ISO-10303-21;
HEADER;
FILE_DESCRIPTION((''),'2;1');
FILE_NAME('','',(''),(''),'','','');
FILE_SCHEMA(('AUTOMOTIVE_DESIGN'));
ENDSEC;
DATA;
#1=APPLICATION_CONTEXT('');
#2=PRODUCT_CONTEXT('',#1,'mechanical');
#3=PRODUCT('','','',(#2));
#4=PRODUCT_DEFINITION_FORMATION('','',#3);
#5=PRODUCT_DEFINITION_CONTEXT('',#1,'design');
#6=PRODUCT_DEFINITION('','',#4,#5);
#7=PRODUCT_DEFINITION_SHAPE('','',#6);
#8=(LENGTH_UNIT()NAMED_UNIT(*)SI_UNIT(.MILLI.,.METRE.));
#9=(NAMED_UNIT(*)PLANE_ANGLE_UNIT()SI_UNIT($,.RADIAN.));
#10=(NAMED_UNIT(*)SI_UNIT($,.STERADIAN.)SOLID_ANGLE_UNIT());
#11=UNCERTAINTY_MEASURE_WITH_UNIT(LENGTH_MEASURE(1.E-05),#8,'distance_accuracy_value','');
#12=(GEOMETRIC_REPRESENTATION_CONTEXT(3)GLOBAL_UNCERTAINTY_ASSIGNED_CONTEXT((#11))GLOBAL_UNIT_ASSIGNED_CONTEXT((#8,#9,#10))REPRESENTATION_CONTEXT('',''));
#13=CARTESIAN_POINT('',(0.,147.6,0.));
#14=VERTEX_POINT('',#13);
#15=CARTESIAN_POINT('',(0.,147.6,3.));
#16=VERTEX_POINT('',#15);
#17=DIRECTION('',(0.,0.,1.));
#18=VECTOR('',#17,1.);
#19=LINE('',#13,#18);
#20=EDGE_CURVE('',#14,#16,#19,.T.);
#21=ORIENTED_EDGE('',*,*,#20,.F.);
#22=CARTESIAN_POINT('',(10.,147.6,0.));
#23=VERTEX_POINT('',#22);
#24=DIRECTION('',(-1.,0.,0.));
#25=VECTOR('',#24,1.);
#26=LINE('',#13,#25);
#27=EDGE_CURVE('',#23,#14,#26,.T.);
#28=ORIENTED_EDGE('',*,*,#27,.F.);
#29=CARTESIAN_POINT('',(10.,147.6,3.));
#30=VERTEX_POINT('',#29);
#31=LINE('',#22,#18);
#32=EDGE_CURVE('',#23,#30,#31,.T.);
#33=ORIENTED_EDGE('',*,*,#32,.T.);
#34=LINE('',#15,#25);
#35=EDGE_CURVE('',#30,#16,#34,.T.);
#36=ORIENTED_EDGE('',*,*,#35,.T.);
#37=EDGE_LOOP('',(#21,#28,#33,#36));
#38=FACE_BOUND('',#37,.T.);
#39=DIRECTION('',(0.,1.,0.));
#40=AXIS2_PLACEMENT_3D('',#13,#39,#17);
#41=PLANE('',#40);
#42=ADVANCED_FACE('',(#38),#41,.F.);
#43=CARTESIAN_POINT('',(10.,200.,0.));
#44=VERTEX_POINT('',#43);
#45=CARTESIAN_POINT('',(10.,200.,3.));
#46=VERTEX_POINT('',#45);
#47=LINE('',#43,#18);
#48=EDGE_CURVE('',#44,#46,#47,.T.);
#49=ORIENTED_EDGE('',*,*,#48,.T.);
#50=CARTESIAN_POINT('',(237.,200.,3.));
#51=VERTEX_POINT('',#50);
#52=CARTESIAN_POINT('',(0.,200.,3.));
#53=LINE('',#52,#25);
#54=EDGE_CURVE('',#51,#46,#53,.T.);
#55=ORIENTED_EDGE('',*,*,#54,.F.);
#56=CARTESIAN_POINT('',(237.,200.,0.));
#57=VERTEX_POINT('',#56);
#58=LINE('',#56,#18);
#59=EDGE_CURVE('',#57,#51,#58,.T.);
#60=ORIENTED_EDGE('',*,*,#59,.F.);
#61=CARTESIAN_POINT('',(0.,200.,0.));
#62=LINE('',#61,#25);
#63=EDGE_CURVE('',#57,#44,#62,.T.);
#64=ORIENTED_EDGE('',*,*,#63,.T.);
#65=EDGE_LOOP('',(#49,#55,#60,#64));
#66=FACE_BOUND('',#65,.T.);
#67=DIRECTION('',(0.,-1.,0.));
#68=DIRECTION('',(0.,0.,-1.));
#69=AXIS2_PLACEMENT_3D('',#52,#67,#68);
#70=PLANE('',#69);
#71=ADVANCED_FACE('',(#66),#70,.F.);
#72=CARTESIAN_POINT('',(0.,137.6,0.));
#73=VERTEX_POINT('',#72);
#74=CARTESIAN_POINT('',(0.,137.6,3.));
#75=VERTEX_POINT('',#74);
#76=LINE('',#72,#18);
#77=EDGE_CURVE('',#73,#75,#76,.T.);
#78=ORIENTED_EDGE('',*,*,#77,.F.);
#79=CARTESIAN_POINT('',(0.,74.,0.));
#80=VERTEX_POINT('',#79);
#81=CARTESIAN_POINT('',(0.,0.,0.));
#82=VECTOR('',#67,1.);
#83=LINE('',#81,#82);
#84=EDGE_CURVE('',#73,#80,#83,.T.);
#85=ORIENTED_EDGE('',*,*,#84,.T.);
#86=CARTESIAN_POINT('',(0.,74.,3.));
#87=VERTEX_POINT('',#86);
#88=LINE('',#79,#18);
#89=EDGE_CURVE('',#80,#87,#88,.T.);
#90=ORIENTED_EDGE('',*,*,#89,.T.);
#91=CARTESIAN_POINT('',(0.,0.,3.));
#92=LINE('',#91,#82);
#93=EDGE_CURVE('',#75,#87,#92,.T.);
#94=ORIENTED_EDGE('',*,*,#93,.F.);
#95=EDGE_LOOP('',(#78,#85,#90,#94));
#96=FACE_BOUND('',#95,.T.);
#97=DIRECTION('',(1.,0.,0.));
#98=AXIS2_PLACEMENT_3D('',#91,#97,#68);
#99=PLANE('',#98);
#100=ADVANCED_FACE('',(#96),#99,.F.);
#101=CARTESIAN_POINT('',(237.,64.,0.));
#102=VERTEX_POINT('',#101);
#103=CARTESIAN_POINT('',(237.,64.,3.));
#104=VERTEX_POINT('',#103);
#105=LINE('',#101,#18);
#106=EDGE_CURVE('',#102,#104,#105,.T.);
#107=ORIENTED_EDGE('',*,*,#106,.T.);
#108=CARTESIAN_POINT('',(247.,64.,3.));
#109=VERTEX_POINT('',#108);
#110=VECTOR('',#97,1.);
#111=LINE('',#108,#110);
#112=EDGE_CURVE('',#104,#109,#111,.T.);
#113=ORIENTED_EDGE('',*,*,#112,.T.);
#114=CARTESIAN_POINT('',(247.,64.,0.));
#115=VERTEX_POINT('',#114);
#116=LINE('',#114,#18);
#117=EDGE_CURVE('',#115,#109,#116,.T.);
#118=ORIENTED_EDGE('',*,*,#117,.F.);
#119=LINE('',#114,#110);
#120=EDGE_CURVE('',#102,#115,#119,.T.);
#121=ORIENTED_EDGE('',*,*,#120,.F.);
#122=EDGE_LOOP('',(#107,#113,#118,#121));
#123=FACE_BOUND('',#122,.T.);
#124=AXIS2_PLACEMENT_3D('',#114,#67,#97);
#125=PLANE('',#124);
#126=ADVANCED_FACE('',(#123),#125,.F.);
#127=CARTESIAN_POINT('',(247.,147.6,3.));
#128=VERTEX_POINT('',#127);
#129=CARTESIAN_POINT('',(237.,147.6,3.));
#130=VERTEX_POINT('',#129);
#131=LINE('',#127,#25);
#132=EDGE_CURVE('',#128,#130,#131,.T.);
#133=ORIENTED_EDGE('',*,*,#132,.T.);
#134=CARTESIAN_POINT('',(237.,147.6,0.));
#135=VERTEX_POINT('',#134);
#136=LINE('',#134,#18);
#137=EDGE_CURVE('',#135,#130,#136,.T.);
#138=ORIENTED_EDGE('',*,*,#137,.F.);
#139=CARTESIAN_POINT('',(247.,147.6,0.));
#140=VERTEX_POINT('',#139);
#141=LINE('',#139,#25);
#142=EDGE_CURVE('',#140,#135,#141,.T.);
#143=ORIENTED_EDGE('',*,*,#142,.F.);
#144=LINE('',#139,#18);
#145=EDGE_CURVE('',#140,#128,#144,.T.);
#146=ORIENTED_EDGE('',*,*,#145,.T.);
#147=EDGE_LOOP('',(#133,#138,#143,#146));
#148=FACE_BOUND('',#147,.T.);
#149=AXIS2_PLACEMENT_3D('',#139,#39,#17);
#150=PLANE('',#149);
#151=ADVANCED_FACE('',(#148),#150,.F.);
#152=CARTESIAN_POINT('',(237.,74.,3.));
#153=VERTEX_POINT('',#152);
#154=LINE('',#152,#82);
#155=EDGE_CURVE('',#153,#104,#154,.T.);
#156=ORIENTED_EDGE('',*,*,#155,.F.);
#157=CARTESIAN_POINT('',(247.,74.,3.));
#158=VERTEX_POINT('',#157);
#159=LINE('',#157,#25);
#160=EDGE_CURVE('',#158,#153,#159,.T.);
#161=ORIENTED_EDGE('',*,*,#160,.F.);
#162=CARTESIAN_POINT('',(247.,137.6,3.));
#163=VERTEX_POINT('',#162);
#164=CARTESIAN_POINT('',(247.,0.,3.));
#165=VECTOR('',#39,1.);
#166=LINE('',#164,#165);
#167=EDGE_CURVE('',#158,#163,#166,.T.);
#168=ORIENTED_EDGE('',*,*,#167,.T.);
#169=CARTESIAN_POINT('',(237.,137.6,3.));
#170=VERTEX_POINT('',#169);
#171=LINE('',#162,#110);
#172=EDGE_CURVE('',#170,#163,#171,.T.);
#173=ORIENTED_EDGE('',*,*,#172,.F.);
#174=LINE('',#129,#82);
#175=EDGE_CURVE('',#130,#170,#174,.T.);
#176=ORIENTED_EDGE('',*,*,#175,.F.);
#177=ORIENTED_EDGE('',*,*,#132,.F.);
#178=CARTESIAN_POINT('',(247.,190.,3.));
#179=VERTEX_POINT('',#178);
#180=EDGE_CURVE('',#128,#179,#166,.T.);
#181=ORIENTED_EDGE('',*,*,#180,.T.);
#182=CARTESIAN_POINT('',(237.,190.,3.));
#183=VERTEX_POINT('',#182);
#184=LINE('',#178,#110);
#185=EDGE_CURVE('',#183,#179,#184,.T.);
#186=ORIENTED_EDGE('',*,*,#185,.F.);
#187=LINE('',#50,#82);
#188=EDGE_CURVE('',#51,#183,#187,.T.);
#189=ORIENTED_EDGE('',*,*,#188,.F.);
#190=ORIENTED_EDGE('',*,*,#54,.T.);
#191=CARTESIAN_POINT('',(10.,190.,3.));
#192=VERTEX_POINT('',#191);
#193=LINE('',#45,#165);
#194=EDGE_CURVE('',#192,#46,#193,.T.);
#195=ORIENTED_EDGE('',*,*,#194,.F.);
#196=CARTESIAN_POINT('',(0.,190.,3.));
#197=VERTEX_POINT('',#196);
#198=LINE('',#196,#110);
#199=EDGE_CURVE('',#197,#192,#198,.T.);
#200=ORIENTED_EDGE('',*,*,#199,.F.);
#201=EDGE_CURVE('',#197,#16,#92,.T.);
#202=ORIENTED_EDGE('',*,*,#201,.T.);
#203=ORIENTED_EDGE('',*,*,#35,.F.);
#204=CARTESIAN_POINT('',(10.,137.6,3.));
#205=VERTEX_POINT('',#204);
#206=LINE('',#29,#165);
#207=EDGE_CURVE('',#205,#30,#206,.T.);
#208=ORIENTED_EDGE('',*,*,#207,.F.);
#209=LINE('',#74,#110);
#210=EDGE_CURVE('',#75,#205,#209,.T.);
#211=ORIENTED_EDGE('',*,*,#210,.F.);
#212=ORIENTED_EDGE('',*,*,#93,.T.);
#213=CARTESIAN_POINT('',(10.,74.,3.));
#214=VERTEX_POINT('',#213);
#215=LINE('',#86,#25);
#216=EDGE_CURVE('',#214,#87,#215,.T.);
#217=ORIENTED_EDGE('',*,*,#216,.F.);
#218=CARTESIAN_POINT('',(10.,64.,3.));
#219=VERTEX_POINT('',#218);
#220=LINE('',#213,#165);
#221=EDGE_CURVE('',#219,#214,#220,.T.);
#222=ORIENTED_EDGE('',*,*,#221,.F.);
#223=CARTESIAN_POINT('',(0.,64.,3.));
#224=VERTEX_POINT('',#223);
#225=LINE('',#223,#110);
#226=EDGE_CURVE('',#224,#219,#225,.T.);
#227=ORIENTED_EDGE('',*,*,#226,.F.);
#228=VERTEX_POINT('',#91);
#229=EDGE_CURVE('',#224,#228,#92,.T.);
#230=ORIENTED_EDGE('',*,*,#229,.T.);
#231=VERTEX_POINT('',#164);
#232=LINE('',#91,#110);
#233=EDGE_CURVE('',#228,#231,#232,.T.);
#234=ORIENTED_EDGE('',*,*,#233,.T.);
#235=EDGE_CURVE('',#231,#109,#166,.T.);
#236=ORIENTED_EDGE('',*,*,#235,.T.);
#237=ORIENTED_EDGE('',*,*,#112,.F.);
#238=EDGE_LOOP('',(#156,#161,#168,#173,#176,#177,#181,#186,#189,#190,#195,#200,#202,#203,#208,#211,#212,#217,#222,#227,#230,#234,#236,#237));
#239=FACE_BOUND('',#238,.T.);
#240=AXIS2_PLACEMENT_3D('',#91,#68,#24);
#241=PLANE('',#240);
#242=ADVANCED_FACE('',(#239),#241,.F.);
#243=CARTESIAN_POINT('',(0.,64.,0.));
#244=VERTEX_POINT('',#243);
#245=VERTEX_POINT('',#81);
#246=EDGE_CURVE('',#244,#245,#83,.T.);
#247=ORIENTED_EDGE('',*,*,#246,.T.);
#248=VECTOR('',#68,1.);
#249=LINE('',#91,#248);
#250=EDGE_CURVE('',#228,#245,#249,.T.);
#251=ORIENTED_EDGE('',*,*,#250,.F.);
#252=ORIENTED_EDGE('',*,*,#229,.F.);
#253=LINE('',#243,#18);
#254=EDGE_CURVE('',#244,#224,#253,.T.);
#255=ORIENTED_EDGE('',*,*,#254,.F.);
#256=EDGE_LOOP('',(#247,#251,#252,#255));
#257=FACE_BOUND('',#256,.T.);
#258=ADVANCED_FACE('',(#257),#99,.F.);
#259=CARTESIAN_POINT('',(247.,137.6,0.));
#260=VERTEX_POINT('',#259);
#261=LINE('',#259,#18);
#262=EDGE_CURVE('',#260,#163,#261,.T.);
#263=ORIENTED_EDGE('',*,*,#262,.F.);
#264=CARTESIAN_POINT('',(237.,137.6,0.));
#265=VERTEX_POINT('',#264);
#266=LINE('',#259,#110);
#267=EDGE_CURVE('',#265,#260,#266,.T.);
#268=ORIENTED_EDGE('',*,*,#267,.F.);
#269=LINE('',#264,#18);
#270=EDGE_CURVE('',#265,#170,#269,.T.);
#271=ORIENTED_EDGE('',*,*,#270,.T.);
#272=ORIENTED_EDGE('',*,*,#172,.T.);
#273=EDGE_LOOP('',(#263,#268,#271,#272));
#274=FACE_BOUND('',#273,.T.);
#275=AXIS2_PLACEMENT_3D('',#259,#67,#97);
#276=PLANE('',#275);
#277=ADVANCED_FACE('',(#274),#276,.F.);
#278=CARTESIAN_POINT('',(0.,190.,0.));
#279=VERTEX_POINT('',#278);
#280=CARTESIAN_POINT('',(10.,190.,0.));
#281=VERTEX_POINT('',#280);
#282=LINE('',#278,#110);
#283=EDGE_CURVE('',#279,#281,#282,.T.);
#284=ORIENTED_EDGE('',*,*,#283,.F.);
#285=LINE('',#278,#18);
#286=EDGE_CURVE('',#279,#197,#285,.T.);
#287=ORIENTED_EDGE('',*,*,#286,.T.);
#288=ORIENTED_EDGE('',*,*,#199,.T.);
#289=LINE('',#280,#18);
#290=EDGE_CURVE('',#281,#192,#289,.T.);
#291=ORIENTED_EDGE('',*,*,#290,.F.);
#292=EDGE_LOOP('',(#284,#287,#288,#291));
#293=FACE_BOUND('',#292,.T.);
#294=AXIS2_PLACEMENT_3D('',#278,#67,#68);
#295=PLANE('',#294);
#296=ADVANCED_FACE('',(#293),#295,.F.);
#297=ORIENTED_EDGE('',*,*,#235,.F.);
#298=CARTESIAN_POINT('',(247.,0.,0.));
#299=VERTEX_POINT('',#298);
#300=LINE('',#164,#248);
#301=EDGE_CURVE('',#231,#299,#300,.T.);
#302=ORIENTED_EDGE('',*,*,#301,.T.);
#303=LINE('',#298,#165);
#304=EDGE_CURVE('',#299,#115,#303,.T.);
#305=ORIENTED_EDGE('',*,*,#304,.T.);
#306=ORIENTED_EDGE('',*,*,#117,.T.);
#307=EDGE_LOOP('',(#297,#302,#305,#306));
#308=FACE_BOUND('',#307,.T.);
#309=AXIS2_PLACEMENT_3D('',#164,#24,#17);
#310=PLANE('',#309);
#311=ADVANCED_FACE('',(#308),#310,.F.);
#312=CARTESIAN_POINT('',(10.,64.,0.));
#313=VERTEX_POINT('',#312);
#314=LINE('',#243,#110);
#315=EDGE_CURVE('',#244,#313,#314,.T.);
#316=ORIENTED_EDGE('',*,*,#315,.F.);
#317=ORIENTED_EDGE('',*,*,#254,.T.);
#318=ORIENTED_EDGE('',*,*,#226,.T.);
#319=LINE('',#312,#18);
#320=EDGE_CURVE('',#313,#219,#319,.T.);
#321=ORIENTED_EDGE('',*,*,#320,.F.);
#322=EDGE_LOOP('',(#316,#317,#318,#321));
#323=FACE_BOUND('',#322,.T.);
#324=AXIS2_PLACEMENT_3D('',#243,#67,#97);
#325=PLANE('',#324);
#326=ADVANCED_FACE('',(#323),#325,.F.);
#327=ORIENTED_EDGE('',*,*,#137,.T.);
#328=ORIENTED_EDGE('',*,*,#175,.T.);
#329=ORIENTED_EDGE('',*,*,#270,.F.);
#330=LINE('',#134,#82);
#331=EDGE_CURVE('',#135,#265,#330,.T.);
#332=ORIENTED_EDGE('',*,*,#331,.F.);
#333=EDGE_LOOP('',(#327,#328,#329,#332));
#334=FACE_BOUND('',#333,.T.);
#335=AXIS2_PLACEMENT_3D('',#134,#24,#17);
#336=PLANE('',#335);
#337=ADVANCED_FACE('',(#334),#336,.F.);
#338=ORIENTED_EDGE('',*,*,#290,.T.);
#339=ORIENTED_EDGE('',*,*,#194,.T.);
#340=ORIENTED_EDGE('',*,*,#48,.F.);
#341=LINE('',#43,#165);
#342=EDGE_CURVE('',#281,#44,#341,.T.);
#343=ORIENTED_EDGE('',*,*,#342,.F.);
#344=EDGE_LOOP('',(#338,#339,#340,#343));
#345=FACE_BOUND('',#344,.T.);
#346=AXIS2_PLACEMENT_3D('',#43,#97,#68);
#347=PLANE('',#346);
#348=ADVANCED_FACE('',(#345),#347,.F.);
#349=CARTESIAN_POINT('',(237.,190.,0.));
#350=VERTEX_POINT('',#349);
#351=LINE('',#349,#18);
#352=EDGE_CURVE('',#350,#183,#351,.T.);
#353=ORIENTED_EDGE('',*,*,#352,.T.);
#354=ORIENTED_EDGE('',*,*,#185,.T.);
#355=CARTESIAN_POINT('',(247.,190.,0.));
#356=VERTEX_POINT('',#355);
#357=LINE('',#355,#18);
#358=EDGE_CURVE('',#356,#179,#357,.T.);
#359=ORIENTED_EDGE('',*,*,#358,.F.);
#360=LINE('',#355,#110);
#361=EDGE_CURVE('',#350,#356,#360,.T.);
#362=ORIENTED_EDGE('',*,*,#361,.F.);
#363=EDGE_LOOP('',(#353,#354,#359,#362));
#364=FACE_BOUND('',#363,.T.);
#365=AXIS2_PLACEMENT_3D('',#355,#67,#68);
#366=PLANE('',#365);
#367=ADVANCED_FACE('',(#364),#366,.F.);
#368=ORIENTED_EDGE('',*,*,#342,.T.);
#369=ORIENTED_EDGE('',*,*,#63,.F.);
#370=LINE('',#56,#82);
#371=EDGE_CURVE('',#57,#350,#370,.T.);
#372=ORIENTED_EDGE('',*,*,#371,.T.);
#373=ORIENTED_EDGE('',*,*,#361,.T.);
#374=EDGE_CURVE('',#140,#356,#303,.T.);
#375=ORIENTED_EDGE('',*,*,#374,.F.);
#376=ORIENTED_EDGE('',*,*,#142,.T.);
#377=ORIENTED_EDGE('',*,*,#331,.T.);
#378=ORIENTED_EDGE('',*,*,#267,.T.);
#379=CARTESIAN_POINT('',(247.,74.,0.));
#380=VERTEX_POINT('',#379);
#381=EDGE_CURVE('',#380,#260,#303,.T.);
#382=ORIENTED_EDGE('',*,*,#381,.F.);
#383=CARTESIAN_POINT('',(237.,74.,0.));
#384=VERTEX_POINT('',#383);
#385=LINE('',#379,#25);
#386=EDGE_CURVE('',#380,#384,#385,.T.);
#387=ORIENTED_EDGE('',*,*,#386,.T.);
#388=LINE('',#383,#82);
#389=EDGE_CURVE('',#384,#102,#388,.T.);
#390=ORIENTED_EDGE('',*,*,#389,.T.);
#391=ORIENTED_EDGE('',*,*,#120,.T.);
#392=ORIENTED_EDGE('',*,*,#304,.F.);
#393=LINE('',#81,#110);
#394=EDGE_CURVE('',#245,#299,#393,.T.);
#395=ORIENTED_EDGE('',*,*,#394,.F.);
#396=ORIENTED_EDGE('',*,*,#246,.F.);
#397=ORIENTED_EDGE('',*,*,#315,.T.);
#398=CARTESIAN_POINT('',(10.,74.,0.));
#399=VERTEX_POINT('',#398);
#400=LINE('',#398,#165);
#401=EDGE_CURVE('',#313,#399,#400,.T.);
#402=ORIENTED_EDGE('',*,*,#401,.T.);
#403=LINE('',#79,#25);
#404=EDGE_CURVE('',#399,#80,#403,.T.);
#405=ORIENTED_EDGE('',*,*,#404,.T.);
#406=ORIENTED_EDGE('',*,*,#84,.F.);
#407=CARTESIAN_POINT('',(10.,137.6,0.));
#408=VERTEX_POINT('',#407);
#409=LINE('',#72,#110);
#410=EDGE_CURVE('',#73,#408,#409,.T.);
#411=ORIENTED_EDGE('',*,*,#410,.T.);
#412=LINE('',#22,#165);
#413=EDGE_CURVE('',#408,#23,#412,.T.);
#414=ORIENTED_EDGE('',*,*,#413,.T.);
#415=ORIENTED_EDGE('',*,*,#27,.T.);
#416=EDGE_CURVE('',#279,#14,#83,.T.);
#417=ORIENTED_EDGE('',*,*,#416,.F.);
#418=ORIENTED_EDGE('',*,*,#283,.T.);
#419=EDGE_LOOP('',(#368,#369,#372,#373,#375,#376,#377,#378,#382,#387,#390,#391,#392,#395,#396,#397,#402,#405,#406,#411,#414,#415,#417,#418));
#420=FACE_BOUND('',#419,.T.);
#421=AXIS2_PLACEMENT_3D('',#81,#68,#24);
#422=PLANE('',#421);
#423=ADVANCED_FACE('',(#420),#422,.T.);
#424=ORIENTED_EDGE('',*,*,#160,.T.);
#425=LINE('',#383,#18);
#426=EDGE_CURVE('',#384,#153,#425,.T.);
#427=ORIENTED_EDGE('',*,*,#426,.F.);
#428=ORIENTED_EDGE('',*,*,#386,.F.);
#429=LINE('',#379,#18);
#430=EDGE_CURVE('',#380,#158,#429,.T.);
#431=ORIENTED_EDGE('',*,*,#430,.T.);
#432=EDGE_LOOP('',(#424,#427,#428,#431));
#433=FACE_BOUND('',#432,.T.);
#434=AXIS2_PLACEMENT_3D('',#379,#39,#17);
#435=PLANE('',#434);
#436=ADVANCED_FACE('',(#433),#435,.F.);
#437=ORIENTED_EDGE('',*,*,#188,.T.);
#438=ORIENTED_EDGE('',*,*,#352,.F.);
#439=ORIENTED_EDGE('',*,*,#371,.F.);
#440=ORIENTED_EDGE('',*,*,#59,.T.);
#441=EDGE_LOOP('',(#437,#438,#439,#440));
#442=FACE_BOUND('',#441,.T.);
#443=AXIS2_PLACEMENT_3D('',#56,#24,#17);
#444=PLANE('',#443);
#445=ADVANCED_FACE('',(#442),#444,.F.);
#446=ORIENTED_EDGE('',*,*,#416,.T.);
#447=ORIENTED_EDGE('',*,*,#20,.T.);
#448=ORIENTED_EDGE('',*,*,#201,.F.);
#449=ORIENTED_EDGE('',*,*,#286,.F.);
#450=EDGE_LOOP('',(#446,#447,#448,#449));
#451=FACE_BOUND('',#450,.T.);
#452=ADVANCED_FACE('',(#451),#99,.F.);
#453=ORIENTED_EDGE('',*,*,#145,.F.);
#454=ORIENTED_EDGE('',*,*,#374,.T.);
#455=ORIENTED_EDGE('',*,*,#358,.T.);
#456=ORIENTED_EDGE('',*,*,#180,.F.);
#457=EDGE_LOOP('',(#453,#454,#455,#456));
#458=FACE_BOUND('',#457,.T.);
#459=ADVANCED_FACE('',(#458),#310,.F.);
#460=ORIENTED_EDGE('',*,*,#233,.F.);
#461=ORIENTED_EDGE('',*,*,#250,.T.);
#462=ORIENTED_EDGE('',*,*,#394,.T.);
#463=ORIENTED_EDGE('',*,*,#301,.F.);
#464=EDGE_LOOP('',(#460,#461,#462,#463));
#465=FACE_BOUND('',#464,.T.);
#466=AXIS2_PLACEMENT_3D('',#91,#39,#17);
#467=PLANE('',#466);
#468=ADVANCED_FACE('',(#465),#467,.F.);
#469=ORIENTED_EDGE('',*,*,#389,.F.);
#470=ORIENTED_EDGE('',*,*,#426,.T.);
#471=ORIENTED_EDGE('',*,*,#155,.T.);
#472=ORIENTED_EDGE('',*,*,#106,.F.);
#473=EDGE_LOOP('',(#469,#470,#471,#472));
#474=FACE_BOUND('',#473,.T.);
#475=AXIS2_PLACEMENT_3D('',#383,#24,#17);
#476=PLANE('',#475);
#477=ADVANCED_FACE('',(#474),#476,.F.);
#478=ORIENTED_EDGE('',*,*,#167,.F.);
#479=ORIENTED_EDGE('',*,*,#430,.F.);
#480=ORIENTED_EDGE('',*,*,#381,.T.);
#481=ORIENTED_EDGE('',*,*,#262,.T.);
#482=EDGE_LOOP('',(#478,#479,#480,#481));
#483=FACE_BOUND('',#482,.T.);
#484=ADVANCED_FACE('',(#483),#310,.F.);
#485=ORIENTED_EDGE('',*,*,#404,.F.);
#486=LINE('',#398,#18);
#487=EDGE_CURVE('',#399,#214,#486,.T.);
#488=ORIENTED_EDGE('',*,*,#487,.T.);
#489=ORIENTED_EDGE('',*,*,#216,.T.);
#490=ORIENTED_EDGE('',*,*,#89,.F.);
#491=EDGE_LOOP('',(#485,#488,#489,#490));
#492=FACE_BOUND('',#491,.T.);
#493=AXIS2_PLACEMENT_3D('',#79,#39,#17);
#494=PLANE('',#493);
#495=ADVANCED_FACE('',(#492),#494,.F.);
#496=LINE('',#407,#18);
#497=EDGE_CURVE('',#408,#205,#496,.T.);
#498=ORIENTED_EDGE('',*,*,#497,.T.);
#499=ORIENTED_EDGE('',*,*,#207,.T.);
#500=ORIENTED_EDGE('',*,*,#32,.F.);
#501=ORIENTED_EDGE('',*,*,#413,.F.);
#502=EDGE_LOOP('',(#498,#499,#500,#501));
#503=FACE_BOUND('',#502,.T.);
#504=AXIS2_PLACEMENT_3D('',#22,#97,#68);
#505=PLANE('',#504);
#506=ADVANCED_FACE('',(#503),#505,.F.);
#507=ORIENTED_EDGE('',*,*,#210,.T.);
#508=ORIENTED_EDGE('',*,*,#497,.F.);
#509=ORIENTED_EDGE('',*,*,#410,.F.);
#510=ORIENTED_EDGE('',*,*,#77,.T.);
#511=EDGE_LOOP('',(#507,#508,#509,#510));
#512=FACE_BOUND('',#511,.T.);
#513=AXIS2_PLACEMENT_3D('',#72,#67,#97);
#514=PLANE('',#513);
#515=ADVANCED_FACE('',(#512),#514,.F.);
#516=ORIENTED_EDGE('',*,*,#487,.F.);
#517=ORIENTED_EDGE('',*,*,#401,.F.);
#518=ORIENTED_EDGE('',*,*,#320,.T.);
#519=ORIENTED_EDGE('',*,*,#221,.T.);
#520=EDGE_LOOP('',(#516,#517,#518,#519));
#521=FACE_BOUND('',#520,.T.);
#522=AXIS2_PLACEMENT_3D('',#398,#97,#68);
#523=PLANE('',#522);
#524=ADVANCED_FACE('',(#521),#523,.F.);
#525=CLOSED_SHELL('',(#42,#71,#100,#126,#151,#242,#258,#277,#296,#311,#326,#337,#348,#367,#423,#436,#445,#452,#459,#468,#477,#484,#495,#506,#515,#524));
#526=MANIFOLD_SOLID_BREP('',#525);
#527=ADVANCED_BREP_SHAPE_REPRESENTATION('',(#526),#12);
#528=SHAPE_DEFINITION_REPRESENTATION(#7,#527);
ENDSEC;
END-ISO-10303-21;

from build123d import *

# Parameters (mm, degrees)
ESQUISSE1_W             = 247
ESQUISSE1_H             = 200
BOSS_EXTRU_1_DEPTH      = 3
ESQUISSE2_W             = 10
ESQUISSE2_H             = 10
ENL_V_MAT_EXTRU_1_DEPTH = 318.833289635


with BuildPart() as part:
    # Esquisse1 → Boss.-Extru.1 (new body)
    with BuildSketch(Plane.XY):
        with Locations((123.5, 100)):
            Rectangle(ESQUISSE1_W, ESQUISSE1_H)
    extrude(amount=BOSS_EXTRU_1_DEPTH)

    # Esquisse2 → Enlèv. mat.-Extru.1 (cut, through all)
    with BuildSketch(Plane.XY.offset(3)):
        with Locations((242, 195)):
            Rectangle(ESQUISSE2_W, ESQUISSE2_H)
        with Locations((242, 142.6)):
            Rectangle(ESQUISSE2_W, ESQUISSE2_H)
        with Locations((242, 69)):
            Rectangle(ESQUISSE2_W, ESQUISSE2_H)
        with Locations((5, 69)):
            Rectangle(ESQUISSE2_W, ESQUISSE2_H)
        with Locations((5, 142.6)):
            Rectangle(ESQUISSE2_W, ESQUISSE2_H)
        with Locations((5, 195)):
            Rectangle(ESQUISSE2_W, ESQUISSE2_H)
    extrude(amount=-ENL_V_MAT_EXTRU_1_DEPTH, mode=Mode.SUBTRACT)


solid = part.part
